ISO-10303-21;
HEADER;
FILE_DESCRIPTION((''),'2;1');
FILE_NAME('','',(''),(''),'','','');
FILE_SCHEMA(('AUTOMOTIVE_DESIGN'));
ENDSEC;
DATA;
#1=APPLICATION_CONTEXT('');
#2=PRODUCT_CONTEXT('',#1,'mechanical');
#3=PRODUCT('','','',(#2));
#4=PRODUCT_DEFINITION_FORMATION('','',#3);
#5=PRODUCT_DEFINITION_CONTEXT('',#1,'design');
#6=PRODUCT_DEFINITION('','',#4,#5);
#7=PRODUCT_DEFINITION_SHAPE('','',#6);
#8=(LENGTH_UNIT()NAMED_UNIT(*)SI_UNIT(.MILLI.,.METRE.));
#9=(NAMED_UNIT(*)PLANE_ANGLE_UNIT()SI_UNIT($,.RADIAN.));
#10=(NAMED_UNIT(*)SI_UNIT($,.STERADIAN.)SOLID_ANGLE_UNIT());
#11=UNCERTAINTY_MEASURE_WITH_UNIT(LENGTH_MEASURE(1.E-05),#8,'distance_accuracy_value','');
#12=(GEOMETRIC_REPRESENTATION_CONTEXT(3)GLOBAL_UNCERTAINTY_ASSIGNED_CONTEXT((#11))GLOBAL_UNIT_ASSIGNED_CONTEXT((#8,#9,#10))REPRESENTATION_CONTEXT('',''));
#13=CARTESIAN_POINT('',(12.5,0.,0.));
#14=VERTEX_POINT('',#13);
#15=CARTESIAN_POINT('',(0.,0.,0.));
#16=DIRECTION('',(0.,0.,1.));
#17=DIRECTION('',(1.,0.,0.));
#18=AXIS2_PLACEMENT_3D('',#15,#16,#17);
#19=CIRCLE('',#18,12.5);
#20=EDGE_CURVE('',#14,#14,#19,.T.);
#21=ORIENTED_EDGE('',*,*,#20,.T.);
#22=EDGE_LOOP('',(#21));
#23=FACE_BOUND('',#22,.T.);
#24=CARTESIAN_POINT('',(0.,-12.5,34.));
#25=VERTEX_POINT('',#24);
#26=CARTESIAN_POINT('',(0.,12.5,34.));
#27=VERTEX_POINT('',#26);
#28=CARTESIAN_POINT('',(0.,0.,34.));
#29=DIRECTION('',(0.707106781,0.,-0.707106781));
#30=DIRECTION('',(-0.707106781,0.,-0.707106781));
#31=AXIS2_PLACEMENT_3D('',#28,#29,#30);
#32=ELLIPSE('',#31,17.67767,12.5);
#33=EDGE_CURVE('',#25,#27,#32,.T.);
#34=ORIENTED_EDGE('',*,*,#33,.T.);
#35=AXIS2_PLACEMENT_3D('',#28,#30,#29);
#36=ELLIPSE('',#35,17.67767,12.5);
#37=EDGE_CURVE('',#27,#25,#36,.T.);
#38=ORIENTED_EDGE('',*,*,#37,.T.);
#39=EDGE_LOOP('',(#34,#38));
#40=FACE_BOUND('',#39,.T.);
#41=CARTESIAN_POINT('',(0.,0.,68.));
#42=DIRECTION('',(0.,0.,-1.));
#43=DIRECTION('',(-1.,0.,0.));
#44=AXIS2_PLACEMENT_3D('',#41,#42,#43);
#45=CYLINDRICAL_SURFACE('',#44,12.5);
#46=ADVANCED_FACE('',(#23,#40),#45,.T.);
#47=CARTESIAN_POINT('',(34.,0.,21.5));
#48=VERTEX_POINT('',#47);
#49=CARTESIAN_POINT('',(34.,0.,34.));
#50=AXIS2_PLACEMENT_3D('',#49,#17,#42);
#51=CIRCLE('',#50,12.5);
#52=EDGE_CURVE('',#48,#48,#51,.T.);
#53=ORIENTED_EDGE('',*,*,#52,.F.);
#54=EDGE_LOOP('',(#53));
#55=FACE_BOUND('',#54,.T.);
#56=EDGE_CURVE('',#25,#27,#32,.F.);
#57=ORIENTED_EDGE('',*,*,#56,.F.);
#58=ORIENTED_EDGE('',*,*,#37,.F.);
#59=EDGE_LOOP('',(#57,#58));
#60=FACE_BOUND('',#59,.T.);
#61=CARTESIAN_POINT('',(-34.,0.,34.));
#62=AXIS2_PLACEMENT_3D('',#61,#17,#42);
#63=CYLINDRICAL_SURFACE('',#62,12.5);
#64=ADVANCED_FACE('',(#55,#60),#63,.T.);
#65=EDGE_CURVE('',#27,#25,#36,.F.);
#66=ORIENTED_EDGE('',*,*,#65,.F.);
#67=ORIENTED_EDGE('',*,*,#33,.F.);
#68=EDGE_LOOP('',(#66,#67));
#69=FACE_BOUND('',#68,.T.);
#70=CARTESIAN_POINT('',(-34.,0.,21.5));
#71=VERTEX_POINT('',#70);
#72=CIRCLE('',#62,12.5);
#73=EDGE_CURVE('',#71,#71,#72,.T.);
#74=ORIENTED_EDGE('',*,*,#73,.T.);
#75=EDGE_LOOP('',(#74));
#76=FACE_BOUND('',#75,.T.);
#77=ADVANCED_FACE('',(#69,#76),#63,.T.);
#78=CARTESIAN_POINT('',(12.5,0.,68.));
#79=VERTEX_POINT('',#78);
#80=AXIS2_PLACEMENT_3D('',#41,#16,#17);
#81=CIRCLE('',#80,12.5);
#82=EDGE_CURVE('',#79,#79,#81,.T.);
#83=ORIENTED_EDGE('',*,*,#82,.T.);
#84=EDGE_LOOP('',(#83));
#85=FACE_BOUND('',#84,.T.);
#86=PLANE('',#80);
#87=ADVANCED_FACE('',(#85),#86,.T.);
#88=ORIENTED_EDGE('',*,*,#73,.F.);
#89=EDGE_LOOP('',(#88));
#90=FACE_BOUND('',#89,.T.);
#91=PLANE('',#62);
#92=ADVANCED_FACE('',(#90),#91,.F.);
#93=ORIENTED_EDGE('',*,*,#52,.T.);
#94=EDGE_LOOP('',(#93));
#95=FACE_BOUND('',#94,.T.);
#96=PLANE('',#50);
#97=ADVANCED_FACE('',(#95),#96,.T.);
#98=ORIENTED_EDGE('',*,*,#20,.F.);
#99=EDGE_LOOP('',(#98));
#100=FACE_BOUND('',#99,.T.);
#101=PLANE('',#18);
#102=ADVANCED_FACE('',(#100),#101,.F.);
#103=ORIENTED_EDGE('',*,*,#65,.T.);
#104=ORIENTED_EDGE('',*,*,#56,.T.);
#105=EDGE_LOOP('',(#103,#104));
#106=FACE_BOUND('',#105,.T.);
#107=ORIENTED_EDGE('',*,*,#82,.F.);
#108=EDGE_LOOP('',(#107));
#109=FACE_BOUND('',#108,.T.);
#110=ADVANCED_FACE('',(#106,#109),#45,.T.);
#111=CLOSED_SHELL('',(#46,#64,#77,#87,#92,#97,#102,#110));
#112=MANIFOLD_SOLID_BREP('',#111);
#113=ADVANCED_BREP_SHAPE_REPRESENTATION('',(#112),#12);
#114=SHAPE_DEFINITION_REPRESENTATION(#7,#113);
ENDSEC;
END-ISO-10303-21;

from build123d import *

# Parameters (mm, degrees)
SKETCH1_R                = 12.5
BOSS_EXTRUDE1_DEPTH      = 68
BOSS_EXTRUDE2_DEPTH      = 34
BOSS_EXTRUDE2_DEPTH_BACK = 34
SKETCH2_R                = 12.5


with BuildPart() as part:
    # Sketch1 → Boss-Extrude1 (new body)
    with BuildSketch(Plane.XY):
        Circle(SKETCH1_R)
    extrude(amount=BOSS_EXTRUDE1_DEPTH)

    # Sketch2 → Boss-Extrude2 (add, two sides: drawn at the far end of the back side and taken through both)
    with BuildSketch(Plane(origin=(0, 0, 0), x_dir=(0, 0, -1), z_dir=(1, 0, 0)).offset(-BOSS_EXTRUDE2_DEPTH_BACK)):
        with Locations((-34, 0)):
            Circle(SKETCH2_R)
    extrude(amount=BOSS_EXTRUDE2_DEPTH + BOSS_EXTRUDE2_DEPTH_BACK)


solid = part.part
